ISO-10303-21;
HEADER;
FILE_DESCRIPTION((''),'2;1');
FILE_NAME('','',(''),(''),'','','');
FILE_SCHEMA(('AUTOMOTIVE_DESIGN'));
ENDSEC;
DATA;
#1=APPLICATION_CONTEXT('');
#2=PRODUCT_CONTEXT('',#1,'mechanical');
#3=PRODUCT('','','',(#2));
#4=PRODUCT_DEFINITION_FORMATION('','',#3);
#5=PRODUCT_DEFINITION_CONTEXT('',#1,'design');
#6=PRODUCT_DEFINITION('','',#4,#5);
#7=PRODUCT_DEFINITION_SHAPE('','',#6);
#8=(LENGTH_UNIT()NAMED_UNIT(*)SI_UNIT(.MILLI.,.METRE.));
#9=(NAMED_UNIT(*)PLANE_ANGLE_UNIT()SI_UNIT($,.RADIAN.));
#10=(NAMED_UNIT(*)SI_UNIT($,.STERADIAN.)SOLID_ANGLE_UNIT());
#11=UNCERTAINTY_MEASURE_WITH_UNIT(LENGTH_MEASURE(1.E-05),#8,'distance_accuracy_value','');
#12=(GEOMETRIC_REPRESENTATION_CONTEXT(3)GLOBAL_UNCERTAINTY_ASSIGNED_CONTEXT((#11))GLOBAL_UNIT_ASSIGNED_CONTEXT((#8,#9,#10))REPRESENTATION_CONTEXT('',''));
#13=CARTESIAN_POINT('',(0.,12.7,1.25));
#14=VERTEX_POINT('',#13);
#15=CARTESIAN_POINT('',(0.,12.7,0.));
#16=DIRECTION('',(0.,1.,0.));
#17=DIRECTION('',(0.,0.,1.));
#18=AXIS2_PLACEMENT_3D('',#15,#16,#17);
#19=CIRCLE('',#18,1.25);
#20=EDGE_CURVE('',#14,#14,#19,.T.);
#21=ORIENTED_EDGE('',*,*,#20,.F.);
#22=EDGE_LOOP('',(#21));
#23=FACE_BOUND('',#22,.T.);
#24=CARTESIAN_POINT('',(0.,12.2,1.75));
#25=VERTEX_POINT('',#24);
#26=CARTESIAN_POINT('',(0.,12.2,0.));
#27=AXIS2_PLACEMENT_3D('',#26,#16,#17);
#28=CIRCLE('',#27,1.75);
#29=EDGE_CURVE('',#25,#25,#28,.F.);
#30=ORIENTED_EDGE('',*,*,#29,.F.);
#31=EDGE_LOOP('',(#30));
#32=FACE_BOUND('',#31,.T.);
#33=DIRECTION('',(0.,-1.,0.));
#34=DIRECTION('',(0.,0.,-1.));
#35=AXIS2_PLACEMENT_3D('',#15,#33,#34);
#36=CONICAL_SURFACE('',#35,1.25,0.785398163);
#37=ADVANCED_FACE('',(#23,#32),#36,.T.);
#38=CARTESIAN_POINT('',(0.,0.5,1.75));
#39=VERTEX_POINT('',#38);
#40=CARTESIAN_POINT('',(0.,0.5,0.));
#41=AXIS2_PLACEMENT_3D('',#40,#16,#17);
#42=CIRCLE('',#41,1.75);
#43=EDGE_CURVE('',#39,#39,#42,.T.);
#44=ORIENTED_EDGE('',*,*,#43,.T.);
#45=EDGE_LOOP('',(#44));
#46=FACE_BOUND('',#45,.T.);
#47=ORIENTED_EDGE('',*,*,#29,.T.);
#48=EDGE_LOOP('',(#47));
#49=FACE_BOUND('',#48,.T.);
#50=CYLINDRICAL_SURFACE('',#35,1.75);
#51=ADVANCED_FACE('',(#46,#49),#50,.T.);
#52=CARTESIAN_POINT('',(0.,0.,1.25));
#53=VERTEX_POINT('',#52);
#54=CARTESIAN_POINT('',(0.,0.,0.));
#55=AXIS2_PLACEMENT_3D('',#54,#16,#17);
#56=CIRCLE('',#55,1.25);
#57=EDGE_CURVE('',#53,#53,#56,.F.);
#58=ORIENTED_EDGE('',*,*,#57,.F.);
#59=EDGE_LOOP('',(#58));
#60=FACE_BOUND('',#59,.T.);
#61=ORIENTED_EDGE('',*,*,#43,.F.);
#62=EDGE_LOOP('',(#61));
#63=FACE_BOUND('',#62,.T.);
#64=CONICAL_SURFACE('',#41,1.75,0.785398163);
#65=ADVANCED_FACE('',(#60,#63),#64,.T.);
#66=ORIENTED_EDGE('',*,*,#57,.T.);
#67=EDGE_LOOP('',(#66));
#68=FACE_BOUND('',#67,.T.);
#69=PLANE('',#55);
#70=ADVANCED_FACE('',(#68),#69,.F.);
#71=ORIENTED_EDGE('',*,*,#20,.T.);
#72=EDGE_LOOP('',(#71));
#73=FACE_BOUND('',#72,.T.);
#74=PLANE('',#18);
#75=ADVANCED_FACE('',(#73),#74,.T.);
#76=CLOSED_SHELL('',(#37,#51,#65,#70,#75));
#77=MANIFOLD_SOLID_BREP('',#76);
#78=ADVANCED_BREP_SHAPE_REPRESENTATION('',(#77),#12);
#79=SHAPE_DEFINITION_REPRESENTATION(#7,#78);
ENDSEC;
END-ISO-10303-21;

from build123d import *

# Parameters (mm, degrees)
SKETCH1_R           = 1.75
BOSS_EXTRUDE1_DEPTH = 12.7
CHAMFER1_SIZE       = 0.5


with BuildPart() as part:
    # Sketch1 → Boss-Extrude1 (new body)
    with BuildSketch(Plane(origin=(0, 0, 0), x_dir=(1, 0, 0), z_dir=(0, 1, 0))):
        Circle(SKETCH1_R)
    extrude(amount=BOSS_EXTRUDE1_DEPTH)

    # Chamfer1
    chamfer1_edges = [part.edges().sort_by_distance(p)[0] for p in [
        (-1.75, 0, 0),
        (-1.75, 12.7, 0),
    ]]
    chamfer(chamfer1_edges, length=CHAMFER1_SIZE)


solid = part.part
